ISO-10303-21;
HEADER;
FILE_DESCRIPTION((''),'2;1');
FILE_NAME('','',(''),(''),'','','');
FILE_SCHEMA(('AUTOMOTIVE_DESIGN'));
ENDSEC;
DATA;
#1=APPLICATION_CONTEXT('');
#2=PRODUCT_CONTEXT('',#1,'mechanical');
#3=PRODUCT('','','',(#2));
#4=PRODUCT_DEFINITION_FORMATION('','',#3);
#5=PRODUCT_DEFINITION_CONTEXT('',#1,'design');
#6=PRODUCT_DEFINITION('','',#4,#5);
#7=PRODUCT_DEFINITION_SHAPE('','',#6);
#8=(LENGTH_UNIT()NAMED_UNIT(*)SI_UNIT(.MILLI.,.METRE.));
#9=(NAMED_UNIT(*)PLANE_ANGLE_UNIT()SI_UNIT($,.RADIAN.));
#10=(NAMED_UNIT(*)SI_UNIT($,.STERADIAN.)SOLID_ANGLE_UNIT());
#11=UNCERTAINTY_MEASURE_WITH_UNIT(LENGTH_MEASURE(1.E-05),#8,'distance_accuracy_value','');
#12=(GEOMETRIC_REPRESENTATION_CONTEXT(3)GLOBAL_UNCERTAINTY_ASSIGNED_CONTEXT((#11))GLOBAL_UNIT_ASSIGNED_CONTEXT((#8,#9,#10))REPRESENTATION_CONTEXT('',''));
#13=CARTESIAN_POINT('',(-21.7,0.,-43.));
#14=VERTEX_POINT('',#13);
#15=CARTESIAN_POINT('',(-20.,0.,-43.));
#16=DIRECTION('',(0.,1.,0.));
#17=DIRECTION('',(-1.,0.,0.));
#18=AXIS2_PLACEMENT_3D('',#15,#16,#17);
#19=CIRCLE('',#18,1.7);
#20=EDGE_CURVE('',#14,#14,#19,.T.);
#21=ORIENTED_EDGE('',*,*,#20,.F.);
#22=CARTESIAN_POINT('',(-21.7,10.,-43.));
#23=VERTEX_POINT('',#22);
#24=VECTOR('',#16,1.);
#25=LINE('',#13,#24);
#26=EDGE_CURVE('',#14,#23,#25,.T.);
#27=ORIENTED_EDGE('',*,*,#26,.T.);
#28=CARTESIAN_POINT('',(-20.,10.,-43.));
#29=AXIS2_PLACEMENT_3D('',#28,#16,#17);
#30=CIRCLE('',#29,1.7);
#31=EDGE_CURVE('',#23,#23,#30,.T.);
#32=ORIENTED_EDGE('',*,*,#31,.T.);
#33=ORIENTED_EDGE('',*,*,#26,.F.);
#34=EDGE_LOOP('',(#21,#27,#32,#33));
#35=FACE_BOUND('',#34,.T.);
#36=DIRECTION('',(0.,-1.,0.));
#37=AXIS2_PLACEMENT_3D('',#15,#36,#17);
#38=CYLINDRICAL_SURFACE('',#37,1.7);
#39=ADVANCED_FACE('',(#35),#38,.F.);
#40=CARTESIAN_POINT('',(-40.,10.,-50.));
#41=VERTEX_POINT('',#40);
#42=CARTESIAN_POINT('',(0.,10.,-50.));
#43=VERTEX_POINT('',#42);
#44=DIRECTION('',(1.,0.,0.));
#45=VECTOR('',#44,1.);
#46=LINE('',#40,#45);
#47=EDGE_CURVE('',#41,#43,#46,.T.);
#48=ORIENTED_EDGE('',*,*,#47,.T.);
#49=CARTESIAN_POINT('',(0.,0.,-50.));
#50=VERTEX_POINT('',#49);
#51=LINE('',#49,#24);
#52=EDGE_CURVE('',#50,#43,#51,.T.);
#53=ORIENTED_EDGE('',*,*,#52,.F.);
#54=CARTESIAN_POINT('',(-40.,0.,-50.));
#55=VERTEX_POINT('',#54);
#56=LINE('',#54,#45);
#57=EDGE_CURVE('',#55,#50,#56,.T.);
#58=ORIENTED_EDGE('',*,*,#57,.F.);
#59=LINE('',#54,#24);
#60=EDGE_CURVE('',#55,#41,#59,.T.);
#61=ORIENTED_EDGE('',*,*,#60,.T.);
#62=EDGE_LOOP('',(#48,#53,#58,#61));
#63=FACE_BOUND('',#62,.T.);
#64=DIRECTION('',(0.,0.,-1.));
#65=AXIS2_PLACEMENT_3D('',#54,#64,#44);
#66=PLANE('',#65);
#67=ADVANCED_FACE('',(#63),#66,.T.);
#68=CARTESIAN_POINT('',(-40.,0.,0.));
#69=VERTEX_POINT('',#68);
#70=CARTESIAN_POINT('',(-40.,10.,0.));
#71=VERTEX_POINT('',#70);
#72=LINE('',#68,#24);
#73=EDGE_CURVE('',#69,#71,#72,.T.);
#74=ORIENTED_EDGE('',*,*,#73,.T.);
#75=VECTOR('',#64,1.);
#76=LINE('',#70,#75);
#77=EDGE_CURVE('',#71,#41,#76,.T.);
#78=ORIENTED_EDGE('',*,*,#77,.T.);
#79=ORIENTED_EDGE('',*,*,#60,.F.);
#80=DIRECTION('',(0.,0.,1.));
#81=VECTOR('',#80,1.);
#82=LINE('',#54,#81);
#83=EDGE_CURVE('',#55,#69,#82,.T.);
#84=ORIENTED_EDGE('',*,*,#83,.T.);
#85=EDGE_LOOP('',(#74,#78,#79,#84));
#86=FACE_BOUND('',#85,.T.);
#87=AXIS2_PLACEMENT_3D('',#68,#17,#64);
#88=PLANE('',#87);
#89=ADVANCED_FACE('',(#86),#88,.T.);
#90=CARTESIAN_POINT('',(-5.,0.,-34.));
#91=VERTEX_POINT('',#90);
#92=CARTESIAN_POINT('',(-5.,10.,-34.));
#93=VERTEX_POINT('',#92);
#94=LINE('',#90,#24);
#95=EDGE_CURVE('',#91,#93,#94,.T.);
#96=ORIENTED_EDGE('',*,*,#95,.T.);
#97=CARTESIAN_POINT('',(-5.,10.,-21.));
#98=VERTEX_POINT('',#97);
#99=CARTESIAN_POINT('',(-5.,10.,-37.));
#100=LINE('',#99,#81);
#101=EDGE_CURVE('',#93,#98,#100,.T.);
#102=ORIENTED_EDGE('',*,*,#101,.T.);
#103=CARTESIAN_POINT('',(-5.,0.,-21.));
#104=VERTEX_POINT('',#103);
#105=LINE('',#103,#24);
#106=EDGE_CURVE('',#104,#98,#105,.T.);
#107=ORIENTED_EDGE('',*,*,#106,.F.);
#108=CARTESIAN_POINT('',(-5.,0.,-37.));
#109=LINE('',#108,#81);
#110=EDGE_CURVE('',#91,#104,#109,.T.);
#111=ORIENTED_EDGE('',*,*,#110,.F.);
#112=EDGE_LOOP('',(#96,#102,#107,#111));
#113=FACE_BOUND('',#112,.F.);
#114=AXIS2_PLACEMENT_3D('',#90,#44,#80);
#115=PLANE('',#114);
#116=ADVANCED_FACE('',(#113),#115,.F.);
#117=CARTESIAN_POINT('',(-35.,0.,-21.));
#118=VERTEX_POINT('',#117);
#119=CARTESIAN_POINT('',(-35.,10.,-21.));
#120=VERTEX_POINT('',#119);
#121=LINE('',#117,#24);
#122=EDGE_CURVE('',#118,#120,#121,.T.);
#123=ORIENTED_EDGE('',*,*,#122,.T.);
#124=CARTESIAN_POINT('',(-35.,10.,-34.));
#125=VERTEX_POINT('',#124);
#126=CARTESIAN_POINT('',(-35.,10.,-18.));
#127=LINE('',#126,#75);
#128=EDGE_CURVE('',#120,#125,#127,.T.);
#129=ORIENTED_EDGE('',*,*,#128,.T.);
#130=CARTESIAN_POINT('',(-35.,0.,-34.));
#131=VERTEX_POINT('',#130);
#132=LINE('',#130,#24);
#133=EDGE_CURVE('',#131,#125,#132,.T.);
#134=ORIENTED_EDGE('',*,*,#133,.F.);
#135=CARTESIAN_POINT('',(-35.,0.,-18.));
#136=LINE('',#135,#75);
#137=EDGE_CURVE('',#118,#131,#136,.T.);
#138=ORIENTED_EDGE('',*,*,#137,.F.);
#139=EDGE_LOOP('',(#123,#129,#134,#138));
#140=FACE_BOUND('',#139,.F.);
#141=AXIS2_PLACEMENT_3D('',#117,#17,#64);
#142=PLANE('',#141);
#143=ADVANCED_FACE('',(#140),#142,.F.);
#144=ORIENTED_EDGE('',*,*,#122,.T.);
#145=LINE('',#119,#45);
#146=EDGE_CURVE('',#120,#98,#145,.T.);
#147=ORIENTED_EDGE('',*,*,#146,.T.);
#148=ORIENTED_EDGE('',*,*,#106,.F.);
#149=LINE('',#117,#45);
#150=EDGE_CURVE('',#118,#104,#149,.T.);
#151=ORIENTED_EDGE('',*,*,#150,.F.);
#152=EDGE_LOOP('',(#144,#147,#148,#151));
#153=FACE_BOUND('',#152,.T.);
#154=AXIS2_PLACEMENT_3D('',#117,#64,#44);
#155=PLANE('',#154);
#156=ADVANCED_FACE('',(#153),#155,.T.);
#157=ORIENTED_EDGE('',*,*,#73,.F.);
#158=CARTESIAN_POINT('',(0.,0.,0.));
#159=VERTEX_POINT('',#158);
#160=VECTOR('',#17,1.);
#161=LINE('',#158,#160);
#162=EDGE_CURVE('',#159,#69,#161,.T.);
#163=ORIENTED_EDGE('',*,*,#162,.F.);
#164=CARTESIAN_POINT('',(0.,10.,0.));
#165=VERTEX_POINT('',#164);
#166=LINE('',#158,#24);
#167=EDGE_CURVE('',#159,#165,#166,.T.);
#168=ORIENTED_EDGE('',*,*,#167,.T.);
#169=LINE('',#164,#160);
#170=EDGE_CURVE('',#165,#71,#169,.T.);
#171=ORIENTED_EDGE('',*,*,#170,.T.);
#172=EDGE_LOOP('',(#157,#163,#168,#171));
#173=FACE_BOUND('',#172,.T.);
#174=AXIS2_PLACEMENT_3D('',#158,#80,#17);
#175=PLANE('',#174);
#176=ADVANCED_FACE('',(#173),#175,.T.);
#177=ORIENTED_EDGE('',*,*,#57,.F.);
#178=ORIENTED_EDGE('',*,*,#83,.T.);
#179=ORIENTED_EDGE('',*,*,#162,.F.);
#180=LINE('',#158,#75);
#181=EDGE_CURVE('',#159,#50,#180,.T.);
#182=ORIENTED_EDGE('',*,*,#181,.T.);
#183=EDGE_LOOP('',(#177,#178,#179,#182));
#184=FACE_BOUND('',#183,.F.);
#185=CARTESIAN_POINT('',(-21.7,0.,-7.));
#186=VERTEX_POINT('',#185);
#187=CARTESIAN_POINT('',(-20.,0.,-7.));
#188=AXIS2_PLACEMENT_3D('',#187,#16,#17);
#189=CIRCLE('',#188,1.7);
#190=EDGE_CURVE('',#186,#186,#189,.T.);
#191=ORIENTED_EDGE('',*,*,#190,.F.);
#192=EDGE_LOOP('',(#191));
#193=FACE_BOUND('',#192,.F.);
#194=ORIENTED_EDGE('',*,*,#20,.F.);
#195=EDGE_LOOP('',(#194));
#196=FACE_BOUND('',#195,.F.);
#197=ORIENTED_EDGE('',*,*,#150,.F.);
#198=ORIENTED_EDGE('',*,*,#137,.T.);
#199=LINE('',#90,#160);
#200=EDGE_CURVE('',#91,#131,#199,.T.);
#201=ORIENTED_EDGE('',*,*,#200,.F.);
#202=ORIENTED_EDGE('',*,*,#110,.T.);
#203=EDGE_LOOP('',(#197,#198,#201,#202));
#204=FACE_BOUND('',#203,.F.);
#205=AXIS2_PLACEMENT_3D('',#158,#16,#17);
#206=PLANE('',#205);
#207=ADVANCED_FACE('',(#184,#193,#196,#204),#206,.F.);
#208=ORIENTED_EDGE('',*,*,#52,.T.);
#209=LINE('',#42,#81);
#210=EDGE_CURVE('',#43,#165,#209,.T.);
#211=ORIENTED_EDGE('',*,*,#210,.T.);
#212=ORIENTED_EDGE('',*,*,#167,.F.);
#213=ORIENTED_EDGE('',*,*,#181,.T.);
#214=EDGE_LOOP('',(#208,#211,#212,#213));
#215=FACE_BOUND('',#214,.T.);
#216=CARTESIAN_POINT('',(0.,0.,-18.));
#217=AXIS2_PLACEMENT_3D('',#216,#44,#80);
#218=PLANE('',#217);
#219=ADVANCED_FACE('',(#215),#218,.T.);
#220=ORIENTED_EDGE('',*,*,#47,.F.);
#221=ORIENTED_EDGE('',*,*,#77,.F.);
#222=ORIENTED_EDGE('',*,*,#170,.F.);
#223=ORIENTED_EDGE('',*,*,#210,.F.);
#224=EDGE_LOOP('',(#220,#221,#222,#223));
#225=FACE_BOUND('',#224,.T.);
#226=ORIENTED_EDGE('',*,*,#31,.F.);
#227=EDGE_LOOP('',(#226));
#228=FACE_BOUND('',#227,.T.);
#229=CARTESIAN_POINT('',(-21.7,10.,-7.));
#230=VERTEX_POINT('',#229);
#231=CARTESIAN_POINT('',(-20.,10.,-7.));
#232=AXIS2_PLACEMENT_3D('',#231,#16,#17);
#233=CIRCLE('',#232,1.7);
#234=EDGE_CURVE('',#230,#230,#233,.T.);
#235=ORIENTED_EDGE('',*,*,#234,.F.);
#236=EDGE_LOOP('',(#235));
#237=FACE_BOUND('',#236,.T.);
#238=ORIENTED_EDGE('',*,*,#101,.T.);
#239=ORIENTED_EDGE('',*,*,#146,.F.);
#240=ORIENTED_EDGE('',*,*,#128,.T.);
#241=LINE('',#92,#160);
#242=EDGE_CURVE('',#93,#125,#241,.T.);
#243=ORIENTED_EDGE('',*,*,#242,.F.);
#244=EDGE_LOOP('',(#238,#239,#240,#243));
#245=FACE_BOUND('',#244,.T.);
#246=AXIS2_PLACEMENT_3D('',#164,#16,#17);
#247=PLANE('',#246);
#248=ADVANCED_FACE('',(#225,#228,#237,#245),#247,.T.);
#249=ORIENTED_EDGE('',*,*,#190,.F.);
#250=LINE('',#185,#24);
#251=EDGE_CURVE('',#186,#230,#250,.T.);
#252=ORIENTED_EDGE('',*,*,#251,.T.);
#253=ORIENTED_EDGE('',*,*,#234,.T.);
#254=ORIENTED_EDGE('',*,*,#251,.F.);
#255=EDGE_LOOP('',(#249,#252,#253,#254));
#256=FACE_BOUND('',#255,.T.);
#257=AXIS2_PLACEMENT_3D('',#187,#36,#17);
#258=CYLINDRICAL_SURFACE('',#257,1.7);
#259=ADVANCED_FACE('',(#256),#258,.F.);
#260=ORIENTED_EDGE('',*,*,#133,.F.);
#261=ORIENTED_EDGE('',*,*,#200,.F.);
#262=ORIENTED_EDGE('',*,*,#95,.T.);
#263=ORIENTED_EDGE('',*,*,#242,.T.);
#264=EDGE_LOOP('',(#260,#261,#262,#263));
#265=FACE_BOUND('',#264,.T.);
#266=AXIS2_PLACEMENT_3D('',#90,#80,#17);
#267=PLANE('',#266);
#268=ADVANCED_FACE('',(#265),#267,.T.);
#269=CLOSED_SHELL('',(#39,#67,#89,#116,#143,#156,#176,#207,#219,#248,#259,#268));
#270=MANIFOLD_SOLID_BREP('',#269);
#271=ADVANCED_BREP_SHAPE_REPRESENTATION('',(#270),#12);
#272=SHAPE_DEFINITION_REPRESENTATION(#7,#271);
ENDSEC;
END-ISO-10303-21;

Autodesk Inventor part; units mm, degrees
ref_plane "YZ Plane" through (0, 0, 0) normal (1, 0, 0) x (0, 1, 0)
ref_plane "XZ Plane" through (0, 0, 0) normal (0, 1, 0) x (-1, 0, 0)
ref_plane "XY Plane" through (0, 0, 0) normal (0, 0, 1) x (1, 0, 0)
sketch "Sketch1" plane through (0, 0, 0) normal (0, 1, 0) x (-1, 0, 0)
  line L0 (0, 0) -> (40, 0)
  line L1 (40, 0) -> (40, -50)
  line L2 (40, -50) -> (0, -50)
  line L3 (0, -50) -> (0, 0)
  line L4 (40, 0) -> (0, 0)
  line L5 (0, 0) -> (0, -18)
  line L6 (5, -18) -> (35, -18)
  line L7 (40, -18) -> (40, 0)
  line L8 (35, -18) -> (5, -18)
  line L9 (0, -18) -> (0, -37)
  line L10 (5, -37) -> (35, -37)
  line L11 (40, -37) -> (40, -18)
  circle A0 centre (20, -7) radius 1.7
  circle A1 centre (20, -43) radius 1.7
  line L12 (20, -18) -> (35, -18)
  line L13 (35, -18) -> (35, -37)
  line L14 (35, -37) -> (20, -37)
  line L15 (20, -37) -> (5, -37)
  line L16 (5, -37) -> (5, -18)
  line L17 (5, -18) -> (20, -18)
  line L18 (35, -21) -> (5, -21)
  line L19 (5, -21) -> (5, -34)
  line L20 (5, -34) -> (35, -34)
  line L21 (35, -34) -> (35, -21)
  dimension "d0" = 40
  dimension "d1" = 50
  dimension "d2" = 3.4
  dimension "d3" = 3.4
  dimension "d6" = 19
extrude "Extrusion1" add sketch "Sketch1" along normal blind 10 contours L0 L1 L2 L3 | L6 L13 L18 L16 | L20 L13 L10 L16
properties part number "_3DPrint"
